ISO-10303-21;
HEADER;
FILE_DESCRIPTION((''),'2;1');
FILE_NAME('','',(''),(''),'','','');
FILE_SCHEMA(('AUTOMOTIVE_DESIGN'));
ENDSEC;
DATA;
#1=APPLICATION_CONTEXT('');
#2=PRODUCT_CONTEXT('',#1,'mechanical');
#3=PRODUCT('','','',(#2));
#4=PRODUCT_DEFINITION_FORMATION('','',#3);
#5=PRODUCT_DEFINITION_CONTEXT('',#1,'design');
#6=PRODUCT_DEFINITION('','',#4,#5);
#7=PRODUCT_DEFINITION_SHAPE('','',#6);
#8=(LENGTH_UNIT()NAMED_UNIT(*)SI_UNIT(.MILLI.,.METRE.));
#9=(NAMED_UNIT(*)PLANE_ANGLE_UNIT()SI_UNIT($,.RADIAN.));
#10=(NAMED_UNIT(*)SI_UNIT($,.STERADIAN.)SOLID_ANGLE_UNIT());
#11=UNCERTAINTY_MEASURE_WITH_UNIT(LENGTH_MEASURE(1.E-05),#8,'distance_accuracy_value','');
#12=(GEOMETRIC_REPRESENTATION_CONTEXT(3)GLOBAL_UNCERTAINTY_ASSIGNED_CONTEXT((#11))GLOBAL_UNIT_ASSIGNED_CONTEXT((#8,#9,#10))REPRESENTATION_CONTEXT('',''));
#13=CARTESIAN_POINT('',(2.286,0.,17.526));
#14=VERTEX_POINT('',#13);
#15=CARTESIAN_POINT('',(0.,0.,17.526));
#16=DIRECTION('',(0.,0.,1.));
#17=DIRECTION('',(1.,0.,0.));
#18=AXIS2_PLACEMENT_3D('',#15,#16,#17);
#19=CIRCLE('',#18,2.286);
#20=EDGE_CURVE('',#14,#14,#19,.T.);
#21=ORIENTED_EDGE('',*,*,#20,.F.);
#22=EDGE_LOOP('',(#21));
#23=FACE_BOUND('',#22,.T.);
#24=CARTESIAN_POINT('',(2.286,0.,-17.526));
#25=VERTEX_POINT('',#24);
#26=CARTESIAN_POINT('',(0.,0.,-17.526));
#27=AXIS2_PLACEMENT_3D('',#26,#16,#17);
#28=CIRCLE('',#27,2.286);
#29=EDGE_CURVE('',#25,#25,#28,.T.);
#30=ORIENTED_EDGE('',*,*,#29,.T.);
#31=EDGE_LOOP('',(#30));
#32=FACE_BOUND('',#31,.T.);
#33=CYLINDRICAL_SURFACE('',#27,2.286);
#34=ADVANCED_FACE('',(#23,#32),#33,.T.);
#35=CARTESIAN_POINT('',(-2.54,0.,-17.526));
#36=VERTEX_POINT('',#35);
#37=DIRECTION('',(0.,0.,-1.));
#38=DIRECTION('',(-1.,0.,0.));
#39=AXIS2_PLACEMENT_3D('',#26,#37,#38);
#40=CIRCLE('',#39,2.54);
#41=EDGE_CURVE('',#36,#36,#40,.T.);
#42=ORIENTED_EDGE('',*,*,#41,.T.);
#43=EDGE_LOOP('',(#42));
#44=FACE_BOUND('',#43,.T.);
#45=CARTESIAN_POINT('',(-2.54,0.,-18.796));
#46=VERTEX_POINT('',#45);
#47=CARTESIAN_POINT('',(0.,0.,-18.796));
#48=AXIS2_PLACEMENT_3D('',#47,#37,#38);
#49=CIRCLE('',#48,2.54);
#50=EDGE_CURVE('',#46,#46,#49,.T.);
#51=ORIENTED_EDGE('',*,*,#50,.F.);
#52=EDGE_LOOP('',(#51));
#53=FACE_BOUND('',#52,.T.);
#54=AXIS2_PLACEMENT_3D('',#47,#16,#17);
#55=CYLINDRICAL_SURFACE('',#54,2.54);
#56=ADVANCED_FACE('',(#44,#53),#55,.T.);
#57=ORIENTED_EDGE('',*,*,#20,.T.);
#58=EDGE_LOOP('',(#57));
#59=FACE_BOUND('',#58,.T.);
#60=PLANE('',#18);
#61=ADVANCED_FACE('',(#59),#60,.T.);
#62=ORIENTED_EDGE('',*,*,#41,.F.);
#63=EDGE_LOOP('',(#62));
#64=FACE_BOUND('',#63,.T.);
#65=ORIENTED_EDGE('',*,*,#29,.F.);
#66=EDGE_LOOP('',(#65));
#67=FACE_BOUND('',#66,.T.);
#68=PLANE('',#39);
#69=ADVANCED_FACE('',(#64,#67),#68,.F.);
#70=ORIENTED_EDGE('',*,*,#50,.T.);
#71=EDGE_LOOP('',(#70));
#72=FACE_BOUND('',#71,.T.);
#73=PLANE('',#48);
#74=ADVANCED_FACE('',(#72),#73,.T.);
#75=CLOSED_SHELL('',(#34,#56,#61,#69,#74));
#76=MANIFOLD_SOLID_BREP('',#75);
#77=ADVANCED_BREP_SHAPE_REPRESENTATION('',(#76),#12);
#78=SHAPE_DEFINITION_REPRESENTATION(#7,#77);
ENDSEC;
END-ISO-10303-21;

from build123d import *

# Parameters (mm, degrees)
SKETCH1_R           = 2.286
BOSS_EXTRUDE1_DEPTH = 17.526
SKETCH2_R           = 2.54
BOSS_EXTRUDE2_DEPTH = 1.27


with BuildPart() as part:
    # Sketch1 → Boss-Extrude1 (new body, symmetric)
    with BuildSketch(Plane.XY):
        Circle(SKETCH1_R)
    extrude(amount=BOSS_EXTRUDE1_DEPTH, both=True)

    # Sketch2 → Boss-Extrude2 (add)
    with BuildSketch(Plane(origin=(0, 0, -17.526), x_dir=(-1, 0, 0), z_dir=(0, 0, -1))):
        Circle(SKETCH2_R)
    extrude(amount=BOSS_EXTRUDE2_DEPTH)


solid = part.part
